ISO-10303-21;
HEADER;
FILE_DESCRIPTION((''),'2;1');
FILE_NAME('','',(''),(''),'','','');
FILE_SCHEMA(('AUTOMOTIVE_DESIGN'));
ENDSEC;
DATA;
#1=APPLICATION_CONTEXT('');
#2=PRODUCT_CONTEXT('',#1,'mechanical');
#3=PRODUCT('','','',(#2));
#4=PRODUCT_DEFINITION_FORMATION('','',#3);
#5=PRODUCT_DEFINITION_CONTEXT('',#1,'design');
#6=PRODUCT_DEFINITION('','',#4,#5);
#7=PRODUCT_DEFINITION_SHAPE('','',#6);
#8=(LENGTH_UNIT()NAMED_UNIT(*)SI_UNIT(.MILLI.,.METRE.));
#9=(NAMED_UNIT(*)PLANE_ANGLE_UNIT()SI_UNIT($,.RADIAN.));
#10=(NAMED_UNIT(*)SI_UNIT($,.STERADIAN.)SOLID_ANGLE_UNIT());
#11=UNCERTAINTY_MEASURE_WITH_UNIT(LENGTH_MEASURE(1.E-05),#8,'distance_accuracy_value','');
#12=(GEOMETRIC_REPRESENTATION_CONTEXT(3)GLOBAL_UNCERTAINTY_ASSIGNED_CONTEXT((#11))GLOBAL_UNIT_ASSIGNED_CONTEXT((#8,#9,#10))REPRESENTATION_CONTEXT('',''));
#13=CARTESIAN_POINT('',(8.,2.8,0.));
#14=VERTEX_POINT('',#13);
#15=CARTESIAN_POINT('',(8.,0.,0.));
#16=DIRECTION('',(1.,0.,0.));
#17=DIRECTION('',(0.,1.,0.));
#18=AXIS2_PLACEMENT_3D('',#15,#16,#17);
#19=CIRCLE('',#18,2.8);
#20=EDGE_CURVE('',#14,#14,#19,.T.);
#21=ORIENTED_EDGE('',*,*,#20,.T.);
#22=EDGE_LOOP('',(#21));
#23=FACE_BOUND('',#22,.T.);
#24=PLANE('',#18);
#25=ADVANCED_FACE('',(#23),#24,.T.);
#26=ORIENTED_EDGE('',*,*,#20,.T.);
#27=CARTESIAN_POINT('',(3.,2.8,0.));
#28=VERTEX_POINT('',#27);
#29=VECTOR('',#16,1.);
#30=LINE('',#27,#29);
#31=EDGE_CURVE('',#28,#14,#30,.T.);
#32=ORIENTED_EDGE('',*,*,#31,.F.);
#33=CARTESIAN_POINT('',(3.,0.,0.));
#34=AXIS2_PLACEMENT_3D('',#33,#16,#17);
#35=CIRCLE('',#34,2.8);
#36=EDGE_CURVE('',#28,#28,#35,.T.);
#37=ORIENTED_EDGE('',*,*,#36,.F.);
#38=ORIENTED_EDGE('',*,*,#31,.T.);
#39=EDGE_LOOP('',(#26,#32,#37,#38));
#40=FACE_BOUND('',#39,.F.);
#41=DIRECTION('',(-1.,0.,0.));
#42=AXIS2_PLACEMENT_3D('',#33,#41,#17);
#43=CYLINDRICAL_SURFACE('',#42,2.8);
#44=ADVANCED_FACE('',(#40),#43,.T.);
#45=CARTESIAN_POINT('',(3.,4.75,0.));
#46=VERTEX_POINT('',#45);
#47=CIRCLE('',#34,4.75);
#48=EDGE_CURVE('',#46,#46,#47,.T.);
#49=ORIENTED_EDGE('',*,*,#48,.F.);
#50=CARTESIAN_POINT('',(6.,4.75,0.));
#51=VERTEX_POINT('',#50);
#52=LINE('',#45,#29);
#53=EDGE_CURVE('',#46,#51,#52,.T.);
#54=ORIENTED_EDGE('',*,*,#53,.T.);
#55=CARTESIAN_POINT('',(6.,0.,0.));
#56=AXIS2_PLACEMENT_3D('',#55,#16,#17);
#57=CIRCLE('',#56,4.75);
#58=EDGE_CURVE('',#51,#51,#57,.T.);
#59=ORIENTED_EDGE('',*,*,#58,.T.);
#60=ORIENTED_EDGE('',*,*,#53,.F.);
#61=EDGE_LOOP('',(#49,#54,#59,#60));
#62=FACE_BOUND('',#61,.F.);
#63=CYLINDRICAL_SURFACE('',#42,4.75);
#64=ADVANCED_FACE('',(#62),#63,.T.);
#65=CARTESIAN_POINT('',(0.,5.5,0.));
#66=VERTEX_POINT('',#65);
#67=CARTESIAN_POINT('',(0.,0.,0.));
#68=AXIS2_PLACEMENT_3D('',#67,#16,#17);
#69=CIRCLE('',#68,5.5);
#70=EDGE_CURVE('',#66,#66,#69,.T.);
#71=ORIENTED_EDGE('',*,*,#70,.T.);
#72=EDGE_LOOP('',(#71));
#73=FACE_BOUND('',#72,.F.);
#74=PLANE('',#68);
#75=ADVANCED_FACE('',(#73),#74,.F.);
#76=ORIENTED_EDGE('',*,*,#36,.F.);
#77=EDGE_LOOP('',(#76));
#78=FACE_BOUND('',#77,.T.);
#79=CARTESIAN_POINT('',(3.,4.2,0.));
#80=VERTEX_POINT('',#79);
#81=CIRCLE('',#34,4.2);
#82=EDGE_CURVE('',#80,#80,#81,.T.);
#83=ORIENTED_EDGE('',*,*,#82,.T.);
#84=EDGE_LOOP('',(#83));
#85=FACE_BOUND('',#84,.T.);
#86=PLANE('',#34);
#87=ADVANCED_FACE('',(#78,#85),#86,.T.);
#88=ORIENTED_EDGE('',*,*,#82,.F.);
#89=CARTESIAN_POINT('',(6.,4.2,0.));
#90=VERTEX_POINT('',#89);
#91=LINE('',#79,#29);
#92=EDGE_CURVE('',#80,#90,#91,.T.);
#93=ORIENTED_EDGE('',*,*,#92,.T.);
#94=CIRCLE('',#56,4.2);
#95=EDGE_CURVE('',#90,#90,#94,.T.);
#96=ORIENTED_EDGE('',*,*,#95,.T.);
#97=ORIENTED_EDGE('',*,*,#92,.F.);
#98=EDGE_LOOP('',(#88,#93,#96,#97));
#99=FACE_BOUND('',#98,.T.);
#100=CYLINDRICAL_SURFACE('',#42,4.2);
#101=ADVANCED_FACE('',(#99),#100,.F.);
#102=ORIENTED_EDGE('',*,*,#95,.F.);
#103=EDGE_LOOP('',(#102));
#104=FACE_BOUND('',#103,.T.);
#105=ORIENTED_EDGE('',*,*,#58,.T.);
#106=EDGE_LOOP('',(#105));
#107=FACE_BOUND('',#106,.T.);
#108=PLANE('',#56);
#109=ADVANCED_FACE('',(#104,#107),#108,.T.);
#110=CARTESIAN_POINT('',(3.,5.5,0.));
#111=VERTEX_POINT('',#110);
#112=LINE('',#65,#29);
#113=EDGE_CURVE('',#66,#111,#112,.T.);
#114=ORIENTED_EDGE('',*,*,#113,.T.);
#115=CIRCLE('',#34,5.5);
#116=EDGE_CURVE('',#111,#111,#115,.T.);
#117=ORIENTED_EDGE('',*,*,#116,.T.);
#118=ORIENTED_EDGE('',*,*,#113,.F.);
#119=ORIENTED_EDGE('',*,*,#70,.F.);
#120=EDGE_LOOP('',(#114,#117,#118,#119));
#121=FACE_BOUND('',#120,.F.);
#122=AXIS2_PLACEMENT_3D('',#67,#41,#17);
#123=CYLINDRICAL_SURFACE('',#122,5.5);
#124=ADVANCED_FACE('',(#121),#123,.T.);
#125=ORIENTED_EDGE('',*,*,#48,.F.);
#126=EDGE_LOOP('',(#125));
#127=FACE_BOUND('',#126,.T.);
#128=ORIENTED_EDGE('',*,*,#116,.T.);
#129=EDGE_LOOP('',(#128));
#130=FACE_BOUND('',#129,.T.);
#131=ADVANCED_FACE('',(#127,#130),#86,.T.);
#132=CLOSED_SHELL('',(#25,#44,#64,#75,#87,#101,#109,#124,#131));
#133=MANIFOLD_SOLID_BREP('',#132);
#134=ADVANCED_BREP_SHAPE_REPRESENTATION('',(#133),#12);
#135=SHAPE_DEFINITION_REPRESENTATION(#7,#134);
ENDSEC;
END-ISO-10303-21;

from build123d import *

# Parameters (mm, degrees)
F0_R     = 5.5
F1_DEPTH = 3
F2_R     = 2.8
F3_DEPTH = 5
F2_R_2   = 4.75
F2_R_3   = 4.2
F4_DEPTH = 3


with BuildPart() as f1:
    # F0 (on Right) → F1 (new body)
    with BuildSketch(Plane.YZ):
        Circle(F0_R)
    extrude(amount=F1_DEPTH)

    # F2 (on face) → F3 (join)
    with BuildSketch(Plane.YZ.offset(3)):
        Circle(F2_R)
    extrude(amount=F3_DEPTH)

    # F2 (on face) → F4 (join)
    with BuildSketch(Plane.YZ.offset(3)):
        Circle(F2_R_2)
        Circle(F2_R_3, mode=Mode.SUBTRACT)
    extrude(amount=F4_DEPTH)


solid = f1.part
